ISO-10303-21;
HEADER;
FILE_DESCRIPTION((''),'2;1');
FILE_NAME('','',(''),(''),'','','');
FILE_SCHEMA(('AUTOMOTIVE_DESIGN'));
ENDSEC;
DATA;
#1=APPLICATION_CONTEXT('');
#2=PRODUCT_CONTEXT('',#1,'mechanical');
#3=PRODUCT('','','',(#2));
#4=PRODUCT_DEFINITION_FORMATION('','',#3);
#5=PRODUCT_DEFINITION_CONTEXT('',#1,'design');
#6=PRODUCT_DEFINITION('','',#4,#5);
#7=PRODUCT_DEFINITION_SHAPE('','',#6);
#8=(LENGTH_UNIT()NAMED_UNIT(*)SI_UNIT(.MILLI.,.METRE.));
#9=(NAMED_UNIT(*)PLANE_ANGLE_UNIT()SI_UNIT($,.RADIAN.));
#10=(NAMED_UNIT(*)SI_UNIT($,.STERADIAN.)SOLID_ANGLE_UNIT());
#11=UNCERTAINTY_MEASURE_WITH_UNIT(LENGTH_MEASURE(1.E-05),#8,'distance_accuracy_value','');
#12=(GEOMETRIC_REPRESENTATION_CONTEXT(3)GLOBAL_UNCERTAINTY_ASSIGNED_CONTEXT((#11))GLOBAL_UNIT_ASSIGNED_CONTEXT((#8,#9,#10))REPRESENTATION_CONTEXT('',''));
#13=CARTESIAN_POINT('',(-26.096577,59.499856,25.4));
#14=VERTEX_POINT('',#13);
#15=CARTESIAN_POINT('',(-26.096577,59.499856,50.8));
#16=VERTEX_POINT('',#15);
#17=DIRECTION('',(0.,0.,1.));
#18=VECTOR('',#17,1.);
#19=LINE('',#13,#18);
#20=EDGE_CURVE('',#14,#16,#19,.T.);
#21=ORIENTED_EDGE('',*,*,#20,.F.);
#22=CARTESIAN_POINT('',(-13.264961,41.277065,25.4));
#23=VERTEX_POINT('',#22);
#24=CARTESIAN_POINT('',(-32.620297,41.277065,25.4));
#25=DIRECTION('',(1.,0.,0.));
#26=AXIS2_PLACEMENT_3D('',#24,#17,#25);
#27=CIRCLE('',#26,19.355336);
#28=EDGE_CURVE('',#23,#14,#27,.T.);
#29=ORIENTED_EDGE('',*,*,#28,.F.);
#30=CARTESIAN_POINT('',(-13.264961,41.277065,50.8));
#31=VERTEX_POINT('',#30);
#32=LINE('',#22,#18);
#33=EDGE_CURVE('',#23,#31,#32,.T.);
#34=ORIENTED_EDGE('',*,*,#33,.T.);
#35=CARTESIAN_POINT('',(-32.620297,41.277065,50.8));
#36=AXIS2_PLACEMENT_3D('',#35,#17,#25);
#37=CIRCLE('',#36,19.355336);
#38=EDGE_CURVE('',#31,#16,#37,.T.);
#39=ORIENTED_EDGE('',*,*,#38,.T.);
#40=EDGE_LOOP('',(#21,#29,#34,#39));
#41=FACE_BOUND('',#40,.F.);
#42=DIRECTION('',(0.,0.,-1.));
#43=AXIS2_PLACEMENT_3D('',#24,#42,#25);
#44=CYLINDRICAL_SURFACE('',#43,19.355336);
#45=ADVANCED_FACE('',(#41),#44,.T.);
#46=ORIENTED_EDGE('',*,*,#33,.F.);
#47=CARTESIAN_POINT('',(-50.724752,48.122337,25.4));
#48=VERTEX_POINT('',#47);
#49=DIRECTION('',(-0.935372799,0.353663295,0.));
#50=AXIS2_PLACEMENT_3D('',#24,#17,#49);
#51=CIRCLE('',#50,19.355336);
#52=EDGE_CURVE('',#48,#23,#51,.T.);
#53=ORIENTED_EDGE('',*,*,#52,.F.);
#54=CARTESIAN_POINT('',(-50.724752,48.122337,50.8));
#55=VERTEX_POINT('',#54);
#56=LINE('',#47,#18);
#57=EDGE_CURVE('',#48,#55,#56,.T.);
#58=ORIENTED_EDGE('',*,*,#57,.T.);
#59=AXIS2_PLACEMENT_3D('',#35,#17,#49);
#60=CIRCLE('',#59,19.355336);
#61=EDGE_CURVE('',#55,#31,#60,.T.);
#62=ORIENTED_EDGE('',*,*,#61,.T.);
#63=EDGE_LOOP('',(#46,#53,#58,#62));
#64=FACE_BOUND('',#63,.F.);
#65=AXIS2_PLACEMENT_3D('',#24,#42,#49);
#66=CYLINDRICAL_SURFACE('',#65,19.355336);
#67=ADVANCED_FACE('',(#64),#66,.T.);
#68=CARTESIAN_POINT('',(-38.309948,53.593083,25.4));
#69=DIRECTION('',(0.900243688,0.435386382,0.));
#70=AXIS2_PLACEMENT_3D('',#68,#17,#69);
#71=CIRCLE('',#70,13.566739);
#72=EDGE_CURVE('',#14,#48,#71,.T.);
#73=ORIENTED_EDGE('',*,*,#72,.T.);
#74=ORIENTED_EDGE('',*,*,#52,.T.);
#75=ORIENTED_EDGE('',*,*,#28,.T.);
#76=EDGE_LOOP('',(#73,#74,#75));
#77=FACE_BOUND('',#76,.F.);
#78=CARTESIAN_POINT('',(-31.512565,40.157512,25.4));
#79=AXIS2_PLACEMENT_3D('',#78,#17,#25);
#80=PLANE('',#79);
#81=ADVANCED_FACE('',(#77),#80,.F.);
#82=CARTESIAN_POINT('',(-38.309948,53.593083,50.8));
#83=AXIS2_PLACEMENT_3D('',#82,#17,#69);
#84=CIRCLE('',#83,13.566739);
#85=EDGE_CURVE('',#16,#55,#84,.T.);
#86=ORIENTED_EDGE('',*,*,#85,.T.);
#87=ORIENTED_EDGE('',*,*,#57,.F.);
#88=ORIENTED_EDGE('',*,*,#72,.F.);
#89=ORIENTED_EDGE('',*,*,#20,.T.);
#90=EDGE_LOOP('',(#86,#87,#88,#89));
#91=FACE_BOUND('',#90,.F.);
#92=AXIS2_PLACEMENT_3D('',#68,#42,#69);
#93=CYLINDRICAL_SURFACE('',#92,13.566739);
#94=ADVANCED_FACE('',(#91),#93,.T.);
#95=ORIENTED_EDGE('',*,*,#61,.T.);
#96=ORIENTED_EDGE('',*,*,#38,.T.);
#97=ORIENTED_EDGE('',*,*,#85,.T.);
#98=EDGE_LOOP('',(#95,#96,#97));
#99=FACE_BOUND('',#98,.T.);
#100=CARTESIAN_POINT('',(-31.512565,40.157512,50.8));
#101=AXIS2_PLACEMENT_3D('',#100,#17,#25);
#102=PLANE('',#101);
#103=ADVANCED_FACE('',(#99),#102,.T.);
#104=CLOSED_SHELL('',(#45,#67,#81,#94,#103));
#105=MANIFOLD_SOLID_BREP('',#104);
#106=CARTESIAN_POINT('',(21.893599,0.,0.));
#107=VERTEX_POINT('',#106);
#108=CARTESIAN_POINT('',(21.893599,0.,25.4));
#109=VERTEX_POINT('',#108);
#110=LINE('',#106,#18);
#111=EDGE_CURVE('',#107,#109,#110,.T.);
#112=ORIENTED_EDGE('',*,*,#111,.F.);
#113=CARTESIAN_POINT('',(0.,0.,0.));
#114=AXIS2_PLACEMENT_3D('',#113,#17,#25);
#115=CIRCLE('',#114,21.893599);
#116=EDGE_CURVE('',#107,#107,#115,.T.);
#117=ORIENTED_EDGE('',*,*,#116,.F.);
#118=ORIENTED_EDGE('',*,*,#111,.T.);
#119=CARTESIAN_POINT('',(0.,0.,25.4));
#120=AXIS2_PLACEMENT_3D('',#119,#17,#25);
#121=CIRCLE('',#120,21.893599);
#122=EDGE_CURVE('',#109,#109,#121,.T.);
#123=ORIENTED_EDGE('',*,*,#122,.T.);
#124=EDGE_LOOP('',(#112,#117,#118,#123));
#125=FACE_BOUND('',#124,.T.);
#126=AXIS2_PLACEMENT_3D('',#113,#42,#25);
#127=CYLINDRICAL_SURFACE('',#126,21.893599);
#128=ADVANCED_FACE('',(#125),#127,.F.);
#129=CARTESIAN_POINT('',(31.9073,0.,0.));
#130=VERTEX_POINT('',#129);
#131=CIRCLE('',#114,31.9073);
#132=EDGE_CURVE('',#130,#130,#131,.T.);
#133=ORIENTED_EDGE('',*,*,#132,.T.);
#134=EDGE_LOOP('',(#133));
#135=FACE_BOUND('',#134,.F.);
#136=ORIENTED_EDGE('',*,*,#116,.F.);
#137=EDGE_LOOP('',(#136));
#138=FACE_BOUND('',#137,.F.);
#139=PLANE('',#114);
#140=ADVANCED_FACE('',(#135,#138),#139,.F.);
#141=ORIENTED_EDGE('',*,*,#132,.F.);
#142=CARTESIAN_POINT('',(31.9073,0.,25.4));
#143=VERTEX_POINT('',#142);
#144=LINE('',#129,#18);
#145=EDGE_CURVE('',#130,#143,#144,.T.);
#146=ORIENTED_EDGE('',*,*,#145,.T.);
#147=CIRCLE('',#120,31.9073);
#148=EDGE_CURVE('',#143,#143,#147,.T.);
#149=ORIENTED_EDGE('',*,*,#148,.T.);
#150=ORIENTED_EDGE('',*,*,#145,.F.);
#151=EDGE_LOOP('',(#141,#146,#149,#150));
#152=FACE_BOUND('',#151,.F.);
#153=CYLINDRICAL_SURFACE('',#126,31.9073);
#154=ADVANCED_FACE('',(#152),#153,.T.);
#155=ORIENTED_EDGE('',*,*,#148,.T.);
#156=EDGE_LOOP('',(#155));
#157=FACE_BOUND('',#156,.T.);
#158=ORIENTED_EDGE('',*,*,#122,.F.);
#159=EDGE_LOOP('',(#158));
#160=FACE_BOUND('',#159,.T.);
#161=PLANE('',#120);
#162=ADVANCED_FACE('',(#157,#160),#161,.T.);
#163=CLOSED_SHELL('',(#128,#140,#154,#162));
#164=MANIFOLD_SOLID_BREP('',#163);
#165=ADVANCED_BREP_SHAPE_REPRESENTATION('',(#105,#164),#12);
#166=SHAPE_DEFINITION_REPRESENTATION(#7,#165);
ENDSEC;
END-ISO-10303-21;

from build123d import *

# Parameters (mm, degrees)
F0_R     = 31.9073000718
F0_R_2   = 21.8935994758
F1_DEPTH = 25.4
F3_DEPTH = 25.4


with BuildPart() as f1:
    # F0 (on Top) → F1 (new body)
    with BuildSketch(Plane.XY):
        Circle(F0_R)
        Circle(F0_R_2, mode=Mode.SUBTRACT)
    extrude(amount=F1_DEPTH)


with BuildPart() as f3:
    # F2 (on face) → F3 (new body)
    with BuildSketch(Plane.XY.offset(25.4)):
        with BuildLine():
            ThreePointArc((-50.7247524619, 48.1223372497), (-36.0996094562, 22.237017044), (-13.2649608676, 41.2770652036))
            ThreePointArc((-13.2649608676, 41.2770652036), (-16.7947190572, 52.4206786872), (-26.0965767999, 59.4998563853))
            ThreePointArc((-26.0965767999, 59.4998563853), (-25.085878469, 56.6229994128), (-24.7432089125, 53.5930827915))
            ThreePointArc((-24.7432089125, 53.5930827915), (-35.5145945202, 40.3174503961), (-50.7247524619, 48.1223372497))
        make_face()
        with BuildLine():
            ThreePointArc((-24.7432089125, 53.5930827915), (-25.085878469, 56.6229994128), (-26.0965767999, 59.4998563853))
            ThreePointArc((-26.0965767999, 59.4998563853), (-40.7375837372, 58.8480272606), (-50.7247524619, 48.1223372497))
            ThreePointArc((-50.7247524619, 48.1223372497), (-35.5145945202, 40.3174503961), (-24.7432089125, 53.5930827915))
        make_face()
        with BuildLine():
            ThreePointArc((-50.7247524619, 48.1223372497), (-40.7375837372, 58.8480272606), (-26.0965767999, 59.4998563853))
            ThreePointArc((-26.0965767999, 59.4998563853), (-43.9995993907, 65.9091003793), (-50.7247524619, 48.1223372497))
        make_face()
    extrude(amount=F3_DEPTH)


solid = Compound([f1.part, f3.part])
